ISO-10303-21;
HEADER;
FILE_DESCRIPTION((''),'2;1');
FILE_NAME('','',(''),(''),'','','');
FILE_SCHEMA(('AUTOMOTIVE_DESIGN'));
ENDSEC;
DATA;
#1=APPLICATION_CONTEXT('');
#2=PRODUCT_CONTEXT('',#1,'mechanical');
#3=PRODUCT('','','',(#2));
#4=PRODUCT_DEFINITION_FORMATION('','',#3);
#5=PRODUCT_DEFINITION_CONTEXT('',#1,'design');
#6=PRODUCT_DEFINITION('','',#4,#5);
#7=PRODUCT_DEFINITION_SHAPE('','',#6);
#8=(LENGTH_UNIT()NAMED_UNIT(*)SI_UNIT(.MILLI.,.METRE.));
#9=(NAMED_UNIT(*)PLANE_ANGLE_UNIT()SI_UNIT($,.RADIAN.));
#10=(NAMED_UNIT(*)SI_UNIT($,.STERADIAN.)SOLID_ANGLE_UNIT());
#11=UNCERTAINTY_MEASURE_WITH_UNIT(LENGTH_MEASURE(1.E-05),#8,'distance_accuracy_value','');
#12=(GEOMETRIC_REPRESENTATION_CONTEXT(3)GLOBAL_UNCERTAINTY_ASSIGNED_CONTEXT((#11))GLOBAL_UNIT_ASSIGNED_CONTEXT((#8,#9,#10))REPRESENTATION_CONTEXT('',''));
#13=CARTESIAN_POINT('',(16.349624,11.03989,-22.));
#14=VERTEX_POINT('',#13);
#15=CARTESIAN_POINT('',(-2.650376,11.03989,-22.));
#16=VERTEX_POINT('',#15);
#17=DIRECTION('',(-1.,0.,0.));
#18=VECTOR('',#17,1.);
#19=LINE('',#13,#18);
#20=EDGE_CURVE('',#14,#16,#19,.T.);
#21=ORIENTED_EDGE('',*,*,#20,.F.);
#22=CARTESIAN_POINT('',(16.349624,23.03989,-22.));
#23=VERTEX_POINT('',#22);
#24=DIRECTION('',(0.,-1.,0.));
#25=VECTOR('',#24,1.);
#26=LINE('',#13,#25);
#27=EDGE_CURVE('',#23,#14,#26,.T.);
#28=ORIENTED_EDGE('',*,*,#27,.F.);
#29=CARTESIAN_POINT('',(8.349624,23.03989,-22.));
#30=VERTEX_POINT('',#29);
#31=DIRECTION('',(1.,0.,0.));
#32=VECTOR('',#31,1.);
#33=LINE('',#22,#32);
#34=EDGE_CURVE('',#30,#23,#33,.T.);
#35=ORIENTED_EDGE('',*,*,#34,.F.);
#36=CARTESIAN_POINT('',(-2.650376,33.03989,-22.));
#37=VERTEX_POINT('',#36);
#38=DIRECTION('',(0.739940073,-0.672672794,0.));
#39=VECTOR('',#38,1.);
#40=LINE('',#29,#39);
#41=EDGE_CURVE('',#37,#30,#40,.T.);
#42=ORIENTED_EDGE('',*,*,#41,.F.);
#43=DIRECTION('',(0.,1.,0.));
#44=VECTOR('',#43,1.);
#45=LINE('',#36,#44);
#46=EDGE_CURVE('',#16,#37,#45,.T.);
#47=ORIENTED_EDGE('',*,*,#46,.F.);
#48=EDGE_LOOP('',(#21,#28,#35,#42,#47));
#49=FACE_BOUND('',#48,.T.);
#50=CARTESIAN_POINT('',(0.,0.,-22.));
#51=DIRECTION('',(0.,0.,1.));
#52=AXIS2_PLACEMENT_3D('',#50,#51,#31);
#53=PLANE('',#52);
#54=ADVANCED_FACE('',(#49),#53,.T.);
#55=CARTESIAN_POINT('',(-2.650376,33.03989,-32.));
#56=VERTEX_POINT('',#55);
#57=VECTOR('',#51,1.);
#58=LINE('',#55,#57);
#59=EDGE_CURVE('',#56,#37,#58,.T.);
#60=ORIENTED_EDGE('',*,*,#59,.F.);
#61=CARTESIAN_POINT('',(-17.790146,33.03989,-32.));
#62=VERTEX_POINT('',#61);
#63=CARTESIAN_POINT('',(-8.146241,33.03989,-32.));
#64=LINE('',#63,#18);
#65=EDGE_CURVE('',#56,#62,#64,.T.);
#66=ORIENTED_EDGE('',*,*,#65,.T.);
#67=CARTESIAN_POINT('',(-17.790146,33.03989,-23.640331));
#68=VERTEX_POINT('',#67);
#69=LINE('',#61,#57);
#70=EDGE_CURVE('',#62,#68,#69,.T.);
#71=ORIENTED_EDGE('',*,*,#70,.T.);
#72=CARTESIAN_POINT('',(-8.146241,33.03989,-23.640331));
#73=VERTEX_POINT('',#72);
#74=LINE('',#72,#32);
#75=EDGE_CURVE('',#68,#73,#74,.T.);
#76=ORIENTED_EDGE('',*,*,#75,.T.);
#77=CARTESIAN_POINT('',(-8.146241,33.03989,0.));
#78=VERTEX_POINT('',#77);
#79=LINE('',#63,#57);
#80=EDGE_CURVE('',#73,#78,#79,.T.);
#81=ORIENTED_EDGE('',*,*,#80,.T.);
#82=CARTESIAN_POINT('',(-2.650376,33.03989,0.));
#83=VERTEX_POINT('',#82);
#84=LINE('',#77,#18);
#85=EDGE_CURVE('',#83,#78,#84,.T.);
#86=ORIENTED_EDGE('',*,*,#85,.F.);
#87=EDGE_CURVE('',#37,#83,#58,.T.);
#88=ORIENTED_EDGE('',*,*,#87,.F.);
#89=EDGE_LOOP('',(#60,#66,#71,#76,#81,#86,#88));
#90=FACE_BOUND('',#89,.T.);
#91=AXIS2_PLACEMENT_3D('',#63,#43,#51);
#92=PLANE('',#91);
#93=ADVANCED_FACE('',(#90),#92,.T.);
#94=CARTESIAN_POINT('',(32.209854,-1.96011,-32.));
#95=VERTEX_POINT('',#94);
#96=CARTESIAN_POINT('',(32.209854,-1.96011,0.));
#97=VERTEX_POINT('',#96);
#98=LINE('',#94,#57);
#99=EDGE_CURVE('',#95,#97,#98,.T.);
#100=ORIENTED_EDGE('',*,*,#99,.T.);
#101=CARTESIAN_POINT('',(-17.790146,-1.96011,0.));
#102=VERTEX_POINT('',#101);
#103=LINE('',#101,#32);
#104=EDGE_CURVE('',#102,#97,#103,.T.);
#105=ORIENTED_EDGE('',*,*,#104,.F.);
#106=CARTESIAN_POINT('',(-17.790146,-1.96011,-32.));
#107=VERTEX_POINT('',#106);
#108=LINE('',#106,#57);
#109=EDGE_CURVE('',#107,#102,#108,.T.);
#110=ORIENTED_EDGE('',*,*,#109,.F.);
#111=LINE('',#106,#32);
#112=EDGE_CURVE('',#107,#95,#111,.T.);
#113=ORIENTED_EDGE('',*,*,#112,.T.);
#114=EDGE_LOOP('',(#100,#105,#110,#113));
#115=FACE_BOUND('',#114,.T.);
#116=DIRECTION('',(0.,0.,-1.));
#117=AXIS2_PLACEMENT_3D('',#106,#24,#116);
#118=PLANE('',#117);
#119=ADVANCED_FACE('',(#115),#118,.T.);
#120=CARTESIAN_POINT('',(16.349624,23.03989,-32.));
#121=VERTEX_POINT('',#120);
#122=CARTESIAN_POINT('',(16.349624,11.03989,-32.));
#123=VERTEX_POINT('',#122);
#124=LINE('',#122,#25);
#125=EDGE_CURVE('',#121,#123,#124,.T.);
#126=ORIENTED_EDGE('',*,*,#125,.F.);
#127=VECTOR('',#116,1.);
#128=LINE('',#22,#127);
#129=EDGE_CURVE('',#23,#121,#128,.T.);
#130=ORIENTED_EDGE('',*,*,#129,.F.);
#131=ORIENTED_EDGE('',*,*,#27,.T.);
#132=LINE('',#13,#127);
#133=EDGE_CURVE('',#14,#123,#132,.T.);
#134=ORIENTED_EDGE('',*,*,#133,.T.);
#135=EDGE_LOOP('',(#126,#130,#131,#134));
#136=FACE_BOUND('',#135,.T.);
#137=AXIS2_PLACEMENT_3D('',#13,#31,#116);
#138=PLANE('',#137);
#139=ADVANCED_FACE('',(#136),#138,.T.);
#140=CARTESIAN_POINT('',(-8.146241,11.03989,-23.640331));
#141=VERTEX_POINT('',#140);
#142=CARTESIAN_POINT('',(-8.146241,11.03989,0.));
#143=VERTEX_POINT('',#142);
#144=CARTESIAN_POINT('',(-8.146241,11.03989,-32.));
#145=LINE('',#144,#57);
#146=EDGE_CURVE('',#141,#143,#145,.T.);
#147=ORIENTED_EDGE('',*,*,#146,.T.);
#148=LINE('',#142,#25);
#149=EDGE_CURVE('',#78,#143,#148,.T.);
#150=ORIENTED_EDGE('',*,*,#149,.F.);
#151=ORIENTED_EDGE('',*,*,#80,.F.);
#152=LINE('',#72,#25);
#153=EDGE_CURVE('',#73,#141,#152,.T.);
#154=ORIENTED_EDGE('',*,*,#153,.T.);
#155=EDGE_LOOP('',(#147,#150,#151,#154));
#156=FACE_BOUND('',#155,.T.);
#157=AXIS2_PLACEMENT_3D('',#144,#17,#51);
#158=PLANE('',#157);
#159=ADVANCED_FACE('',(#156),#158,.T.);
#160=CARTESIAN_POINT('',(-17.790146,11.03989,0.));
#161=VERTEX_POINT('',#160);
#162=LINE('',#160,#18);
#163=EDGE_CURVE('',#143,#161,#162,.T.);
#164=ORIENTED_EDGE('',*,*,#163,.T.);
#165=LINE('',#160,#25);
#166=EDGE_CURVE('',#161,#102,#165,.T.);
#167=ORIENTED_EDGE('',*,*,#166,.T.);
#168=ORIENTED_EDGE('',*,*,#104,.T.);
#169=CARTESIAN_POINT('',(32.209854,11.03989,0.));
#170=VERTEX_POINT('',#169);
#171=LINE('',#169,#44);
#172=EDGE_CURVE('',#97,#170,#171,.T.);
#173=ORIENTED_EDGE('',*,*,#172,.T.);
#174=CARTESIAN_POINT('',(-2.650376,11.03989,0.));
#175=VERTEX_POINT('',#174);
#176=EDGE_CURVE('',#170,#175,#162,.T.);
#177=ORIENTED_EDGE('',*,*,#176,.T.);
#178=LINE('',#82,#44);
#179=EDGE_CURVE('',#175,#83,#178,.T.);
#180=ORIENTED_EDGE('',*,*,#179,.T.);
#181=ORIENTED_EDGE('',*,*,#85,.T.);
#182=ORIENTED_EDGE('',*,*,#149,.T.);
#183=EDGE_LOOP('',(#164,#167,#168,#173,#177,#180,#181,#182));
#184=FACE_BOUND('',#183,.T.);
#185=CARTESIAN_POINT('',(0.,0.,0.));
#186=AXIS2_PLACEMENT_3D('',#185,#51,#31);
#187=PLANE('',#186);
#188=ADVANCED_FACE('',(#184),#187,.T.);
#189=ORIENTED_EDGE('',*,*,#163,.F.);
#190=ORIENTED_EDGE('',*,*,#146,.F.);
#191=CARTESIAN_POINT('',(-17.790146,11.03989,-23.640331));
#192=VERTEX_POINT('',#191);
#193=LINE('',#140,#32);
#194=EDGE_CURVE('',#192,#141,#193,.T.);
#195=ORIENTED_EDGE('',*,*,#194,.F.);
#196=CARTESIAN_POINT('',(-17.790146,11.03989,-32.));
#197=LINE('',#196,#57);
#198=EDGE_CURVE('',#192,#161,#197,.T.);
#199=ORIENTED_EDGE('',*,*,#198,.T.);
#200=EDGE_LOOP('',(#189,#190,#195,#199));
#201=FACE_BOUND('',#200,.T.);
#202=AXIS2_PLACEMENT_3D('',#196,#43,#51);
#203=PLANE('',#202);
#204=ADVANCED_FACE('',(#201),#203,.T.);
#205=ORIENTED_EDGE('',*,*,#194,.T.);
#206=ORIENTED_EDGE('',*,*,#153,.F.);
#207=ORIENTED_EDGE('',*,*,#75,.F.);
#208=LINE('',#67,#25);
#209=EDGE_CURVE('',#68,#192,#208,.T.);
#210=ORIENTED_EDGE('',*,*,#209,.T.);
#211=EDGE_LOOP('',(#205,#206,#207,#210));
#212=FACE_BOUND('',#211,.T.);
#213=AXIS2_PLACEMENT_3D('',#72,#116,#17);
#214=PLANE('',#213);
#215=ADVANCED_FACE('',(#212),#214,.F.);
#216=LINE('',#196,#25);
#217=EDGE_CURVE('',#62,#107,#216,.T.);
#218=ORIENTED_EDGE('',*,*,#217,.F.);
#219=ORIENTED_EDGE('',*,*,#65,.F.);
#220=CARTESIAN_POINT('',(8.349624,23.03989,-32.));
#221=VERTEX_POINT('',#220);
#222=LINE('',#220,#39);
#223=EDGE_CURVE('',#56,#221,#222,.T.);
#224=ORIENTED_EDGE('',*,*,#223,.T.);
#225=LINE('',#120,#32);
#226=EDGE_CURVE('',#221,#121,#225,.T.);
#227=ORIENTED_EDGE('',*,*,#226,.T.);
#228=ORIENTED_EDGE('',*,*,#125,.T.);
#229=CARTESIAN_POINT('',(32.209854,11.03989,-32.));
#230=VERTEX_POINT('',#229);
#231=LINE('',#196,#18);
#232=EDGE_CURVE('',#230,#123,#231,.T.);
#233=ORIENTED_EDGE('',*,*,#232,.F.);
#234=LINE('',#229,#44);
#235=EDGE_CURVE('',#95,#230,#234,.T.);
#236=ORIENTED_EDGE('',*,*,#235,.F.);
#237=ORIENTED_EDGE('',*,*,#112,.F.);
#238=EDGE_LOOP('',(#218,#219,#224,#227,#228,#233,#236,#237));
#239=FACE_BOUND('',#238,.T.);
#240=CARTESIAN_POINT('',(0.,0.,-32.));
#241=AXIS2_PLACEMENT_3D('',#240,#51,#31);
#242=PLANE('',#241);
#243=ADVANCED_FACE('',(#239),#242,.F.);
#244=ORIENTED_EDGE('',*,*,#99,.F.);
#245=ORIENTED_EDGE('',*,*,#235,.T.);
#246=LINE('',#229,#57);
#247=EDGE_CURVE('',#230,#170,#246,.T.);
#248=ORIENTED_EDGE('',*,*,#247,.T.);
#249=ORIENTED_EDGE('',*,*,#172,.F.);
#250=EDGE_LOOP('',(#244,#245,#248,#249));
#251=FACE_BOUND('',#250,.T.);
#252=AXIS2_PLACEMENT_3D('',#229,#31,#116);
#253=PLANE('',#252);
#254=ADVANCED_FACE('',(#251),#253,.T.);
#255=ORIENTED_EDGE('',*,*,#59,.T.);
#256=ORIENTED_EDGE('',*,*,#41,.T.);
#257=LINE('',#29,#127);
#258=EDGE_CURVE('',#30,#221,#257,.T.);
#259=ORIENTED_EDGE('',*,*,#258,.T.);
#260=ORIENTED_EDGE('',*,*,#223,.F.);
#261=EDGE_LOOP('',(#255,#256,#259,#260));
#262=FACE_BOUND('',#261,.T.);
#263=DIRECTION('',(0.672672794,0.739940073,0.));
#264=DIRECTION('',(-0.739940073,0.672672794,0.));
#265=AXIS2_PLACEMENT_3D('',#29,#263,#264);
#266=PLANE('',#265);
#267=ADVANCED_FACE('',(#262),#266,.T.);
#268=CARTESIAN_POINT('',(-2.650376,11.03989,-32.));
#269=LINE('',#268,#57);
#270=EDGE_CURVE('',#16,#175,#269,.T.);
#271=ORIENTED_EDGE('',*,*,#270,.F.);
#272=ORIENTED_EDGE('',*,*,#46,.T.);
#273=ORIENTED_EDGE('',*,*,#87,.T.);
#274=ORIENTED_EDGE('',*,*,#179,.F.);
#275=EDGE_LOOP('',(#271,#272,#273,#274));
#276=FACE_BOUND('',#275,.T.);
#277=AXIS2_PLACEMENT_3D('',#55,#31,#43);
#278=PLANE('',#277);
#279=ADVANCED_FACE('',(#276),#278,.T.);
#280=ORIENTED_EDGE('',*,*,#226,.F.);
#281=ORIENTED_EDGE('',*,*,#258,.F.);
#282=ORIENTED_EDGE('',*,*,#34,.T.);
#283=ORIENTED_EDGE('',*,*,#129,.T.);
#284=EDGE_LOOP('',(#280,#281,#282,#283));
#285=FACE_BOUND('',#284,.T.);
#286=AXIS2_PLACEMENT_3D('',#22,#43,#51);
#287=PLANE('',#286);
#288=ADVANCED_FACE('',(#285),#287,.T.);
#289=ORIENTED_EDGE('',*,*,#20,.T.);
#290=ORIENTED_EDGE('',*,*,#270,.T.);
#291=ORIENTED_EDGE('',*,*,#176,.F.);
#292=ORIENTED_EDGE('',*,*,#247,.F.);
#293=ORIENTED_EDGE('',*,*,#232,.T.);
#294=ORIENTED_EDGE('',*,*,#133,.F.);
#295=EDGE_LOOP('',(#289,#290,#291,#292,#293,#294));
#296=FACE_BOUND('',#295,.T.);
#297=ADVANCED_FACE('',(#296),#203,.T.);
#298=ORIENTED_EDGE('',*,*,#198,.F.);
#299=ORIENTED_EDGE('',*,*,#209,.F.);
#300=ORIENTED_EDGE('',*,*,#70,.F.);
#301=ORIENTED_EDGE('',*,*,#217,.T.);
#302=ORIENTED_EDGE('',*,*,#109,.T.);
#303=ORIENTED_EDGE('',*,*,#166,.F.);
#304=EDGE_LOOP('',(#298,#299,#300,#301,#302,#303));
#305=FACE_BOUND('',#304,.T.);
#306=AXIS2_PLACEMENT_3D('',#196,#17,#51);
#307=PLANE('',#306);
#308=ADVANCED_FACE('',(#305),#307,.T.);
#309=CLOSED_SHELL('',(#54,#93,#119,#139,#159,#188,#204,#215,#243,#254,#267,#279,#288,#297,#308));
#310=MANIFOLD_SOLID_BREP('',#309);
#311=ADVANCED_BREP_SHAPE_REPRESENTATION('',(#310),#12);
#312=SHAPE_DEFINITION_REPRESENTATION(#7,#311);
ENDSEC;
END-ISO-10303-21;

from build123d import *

# Parameters (mm, degrees)
SKETCH3_W           = 50
SKETCH3_H           = 13
BOSS_EXTRUDE1_DEPTH = 32
BOSS_EXTRUDE2_DEPTH = 32
BOSS_EXTRUDE3_DEPTH = 10
SKETCH8_W           = 9.643905297
SKETCH8_H           = 8.359669373
BOSS_EXTRUDE4_DEPTH = 22


with BuildPart() as part:
    # Sketch3 → Boss-Extrude1 (new body)
    with BuildSketch(Plane.XY):
        with Locations((7.209853726, 4.539889959)):
            Rectangle(SKETCH3_W, SKETCH3_H)
    extrude(amount=-BOSS_EXTRUDE1_DEPTH)

    # Sketch4 → Boss-Extrude2 (add)
    with BuildSketch(Plane.XY):
        Polygon((-8.146240977, 11.039889959), (-8.146240977, 33.039889959), (-2.650375504, 33.039889959), (-2.650375504, 11.039889959), (32.209853726, 11.039889959), (32.209853726, -1.960110041), (-17.790146274, -1.960110041), (-17.790146274, 11.039889959), align=None)
    extrude(amount=-BOSS_EXTRUDE2_DEPTH)

    # Sketch5 → Boss-Extrude3 (add)
    with BuildSketch(Plane(origin=(0, 0, -32), x_dir=(-1, 0, 0), z_dir=(0, 0, -1))):
        Polygon((-16.349624496, 11.039889959), (-16.349624496, 23.039889959), (-8.349624496, 23.039889959), (2.650375504, 33.039889959), (2.650375504, 11.039889959), align=None)
    extrude(amount=-BOSS_EXTRUDE3_DEPTH)

    # Sketch8 → Boss-Extrude4 (add)
    with BuildSketch(Plane(origin=(0, 11.039889959, 0), x_dir=(1, 0, 0), z_dir=(0, 1, 0))):
        with Locations((-12.968193625, 27.820165313)):
            Rectangle(SKETCH8_W, SKETCH8_H)
    extrude(amount=BOSS_EXTRUDE4_DEPTH)


solid = part.part
